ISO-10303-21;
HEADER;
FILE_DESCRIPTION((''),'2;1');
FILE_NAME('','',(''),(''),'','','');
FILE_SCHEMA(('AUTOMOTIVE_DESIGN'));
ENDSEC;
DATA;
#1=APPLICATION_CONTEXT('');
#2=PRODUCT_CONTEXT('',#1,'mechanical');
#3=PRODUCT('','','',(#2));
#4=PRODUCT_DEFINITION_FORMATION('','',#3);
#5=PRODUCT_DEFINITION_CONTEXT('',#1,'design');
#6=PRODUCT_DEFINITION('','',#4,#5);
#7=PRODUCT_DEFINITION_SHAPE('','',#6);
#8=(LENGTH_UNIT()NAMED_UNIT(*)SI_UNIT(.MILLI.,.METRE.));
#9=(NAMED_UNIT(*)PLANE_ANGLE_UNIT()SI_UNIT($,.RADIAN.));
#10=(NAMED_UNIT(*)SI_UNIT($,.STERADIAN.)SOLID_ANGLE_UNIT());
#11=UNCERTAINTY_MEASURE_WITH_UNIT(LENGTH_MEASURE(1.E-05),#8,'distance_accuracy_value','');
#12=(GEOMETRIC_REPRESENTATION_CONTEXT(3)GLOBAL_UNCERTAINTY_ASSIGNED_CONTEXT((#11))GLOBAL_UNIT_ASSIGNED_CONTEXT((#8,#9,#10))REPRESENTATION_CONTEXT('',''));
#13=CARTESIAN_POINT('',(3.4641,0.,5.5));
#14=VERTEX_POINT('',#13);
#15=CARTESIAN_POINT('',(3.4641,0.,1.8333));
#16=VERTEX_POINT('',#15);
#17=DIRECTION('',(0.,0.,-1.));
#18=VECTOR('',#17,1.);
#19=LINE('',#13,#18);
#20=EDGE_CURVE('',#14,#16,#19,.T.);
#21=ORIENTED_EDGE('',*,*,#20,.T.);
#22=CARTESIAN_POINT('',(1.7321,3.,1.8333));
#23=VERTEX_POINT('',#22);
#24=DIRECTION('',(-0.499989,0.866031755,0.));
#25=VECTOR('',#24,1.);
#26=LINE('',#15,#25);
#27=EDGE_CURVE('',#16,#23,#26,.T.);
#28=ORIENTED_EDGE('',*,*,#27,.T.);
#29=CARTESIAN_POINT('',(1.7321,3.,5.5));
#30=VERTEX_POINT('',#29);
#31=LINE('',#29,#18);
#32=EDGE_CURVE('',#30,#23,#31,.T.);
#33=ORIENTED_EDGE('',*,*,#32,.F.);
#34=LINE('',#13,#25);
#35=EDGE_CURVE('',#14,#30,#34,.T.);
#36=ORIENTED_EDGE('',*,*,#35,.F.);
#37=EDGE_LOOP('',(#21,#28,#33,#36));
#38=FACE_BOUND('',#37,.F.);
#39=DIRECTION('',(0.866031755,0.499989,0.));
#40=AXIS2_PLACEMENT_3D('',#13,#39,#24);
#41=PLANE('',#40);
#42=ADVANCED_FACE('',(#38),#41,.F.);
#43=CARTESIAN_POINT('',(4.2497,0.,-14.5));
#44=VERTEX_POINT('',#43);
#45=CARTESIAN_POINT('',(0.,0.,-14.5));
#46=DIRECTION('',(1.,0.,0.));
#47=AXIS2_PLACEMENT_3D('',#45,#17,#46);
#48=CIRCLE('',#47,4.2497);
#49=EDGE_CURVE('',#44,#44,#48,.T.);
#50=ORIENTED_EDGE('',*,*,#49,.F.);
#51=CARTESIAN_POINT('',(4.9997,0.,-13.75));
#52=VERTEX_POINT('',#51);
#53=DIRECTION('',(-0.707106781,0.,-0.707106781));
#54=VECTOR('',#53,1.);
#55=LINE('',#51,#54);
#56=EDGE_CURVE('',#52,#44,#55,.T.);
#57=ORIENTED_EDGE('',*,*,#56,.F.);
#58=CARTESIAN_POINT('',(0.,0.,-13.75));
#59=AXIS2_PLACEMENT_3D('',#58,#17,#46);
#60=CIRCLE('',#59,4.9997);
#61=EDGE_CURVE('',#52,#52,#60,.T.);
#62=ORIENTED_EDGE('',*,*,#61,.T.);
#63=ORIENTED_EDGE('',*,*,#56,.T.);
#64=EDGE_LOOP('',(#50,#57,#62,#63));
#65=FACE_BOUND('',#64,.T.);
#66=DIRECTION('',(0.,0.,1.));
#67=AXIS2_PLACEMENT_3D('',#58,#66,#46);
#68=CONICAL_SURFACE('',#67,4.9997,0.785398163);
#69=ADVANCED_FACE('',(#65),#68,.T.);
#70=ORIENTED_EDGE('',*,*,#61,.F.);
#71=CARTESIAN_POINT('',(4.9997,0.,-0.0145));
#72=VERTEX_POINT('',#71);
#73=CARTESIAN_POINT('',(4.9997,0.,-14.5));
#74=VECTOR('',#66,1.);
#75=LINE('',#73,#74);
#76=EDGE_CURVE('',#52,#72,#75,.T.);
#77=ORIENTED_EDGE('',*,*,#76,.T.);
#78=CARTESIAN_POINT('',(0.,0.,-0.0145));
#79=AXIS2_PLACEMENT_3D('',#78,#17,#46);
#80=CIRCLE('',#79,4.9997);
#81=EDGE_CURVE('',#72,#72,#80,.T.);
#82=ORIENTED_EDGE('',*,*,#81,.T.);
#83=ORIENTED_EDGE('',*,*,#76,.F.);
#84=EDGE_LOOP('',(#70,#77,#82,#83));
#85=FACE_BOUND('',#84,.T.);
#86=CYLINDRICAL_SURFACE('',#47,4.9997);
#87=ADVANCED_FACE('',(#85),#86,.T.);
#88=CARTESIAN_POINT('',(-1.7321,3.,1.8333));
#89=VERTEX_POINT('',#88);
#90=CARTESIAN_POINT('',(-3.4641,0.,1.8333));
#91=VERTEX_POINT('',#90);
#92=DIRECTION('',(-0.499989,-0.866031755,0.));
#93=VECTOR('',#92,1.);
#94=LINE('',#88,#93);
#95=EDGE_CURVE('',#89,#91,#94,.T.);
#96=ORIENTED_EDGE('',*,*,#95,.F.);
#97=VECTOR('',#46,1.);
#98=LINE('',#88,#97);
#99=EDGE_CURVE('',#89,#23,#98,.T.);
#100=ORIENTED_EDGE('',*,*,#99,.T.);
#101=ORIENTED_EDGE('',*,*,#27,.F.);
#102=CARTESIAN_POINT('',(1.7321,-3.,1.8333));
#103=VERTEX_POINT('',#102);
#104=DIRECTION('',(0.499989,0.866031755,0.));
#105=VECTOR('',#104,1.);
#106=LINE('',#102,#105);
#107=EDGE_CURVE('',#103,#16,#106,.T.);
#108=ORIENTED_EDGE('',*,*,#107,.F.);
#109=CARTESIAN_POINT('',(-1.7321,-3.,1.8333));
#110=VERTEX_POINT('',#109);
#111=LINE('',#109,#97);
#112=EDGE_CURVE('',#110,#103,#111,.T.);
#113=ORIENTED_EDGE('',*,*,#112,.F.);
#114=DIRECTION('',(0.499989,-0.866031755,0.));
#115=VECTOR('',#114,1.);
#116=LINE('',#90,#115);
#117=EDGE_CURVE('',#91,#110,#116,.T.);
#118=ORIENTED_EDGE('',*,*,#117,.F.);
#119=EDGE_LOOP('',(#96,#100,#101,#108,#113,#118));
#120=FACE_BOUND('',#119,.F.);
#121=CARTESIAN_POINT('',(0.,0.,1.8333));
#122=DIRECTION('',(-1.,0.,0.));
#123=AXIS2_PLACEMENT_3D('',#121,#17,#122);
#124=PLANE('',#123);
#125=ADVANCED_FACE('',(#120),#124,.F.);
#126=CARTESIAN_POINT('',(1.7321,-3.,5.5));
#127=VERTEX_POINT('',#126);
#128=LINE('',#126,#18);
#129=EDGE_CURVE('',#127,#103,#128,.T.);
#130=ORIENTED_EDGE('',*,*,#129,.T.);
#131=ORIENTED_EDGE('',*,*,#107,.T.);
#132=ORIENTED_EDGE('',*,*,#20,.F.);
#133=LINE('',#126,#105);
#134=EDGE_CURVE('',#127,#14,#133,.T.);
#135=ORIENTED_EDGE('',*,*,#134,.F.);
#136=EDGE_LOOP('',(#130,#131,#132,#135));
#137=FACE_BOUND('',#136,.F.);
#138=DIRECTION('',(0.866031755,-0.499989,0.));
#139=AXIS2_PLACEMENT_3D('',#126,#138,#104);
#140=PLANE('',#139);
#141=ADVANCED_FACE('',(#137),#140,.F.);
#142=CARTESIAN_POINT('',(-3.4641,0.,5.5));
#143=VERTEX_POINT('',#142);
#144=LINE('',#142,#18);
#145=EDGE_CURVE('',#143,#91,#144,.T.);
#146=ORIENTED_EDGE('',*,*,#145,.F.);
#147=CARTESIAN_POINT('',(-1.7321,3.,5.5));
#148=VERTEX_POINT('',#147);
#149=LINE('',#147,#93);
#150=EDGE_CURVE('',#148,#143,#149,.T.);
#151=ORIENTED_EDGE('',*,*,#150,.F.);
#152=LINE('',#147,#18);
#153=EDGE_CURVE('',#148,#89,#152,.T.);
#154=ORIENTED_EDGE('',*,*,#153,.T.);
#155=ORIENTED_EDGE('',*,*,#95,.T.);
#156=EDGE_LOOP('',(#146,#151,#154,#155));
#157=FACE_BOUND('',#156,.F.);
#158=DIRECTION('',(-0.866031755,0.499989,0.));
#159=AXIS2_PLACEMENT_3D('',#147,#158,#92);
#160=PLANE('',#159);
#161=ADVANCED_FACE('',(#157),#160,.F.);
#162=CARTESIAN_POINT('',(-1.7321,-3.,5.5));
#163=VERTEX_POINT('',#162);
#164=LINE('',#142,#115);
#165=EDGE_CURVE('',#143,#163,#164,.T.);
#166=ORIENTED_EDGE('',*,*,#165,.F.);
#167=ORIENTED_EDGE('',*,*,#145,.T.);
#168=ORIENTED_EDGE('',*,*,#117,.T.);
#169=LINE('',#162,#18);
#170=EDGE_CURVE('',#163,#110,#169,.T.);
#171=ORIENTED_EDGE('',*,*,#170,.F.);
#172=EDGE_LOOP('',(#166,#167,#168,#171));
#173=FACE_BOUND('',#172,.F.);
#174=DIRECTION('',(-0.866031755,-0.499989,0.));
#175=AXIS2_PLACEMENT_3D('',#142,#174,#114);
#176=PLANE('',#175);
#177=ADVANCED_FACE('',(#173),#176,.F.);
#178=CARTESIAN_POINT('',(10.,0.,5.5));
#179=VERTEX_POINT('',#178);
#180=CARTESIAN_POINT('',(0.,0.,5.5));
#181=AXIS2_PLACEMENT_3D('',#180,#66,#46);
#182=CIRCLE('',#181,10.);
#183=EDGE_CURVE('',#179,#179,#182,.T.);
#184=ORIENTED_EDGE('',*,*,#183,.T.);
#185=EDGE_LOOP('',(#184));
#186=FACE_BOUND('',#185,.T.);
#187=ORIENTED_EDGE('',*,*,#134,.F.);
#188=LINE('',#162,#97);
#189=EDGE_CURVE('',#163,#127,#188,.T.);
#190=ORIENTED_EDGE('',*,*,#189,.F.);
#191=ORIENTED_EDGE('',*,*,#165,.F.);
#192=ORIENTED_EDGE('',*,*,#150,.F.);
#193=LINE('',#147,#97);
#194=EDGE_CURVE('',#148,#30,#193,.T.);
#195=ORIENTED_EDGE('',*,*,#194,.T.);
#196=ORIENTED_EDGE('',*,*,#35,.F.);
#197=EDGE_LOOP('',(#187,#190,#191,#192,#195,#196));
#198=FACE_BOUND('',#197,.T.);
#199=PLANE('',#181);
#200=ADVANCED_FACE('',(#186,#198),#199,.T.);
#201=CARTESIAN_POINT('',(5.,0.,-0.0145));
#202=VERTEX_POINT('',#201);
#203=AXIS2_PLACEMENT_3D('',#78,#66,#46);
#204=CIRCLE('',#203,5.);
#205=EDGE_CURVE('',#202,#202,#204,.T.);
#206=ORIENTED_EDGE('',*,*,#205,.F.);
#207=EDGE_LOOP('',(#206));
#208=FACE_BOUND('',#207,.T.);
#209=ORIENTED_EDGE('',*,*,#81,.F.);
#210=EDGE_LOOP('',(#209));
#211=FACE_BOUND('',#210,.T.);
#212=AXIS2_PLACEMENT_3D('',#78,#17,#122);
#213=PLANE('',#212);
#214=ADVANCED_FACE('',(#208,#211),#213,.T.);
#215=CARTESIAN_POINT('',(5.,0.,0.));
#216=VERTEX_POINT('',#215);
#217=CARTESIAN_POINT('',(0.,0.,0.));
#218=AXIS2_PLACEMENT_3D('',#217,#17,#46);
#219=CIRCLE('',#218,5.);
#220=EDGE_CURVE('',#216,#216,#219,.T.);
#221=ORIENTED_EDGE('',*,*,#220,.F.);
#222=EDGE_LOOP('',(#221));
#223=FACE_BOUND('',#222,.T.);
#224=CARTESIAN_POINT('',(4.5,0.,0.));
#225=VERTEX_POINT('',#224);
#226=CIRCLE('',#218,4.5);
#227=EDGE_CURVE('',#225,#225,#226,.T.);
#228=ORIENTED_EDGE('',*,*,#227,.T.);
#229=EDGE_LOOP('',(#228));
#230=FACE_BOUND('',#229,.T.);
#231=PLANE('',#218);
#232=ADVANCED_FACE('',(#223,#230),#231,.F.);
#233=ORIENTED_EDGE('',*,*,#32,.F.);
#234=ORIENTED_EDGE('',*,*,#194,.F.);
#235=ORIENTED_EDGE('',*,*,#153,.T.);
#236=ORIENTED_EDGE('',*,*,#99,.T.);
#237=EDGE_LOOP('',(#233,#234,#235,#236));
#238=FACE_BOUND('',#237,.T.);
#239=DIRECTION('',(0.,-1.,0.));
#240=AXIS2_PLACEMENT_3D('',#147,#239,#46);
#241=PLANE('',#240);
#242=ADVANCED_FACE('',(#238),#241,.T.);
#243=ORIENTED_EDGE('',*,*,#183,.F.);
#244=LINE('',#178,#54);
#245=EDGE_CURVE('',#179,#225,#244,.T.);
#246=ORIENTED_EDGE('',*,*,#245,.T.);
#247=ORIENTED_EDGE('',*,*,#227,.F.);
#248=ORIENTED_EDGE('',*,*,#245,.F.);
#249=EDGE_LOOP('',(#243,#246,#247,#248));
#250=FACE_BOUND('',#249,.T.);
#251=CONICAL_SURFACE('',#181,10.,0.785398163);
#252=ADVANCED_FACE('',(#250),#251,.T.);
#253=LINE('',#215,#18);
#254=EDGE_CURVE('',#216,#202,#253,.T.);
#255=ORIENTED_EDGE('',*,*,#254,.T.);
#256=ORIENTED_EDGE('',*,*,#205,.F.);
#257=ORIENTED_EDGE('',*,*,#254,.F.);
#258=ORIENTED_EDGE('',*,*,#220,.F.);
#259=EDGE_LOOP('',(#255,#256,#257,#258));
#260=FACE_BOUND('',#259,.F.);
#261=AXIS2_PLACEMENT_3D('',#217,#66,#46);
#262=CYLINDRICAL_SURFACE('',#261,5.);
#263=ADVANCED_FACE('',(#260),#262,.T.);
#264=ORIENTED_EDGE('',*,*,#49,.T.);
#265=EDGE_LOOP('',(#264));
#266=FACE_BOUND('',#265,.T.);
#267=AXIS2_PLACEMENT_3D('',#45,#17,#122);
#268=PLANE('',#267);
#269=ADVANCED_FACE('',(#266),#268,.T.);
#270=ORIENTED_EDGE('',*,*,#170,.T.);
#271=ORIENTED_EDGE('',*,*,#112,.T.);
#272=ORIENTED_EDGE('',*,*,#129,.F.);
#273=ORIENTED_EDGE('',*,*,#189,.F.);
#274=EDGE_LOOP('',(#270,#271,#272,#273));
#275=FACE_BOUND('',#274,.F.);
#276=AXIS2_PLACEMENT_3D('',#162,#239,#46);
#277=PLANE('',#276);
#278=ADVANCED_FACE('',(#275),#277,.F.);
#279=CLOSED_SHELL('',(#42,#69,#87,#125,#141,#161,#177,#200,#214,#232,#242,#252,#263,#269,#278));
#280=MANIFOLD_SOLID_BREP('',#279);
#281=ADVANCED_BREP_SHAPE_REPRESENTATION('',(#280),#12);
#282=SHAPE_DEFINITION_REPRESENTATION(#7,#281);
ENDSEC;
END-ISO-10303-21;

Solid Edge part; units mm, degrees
sketch "Sketch1" plane through (0, 0, 0) normal (0, 0, 1) x (1, 0, 0)
  circle A0 centre (0, 0) radius 10
  dimension "D1" = 20
extrude "Protrusion1" add sketch "Sketch1" along normal blind 5.5
sketch "Sketch2" plane through (0, 0, 0) normal (0, 0, -1) x (1, 0, 0)
  circle A0 centre (0, 0) radius 5
extrude "Protrusion2" add sketch "Sketch2" along normal blind 14.5
sketch "Sketch3" plane through (0, 0, -14.5) normal (0, 0, -1) x (1, 0, 0)
  circle A0 centre (0, 0) radius 4.9997
extrude "Cutout1" cut sketch "Sketch3" against normal blind 14.4855 flip side to cut
chamfer "Chamfer_1" distance 0.75 angle 45 1 edges at (-4.9997, 0, -14.5)
sketch "Sketch4" plane through (0, 0, 5.5) normal (0, 0, 1) x (1, 0, 0)
  line L0 (-1.7321, 3) -> (1.7321, 3)
  line L1 (3.4641, 0) -> (1.7321, 3)
  line L2 (1.7321, -3) -> (3.4641, 0)
  line L3 (-1.7321, -3) -> (1.7321, -3)
  line L4 (-3.4641, 0) -> (-1.7321, -3)
  line L5 (-1.7321, 3) -> (-3.4641, 0)
  dimension "D1" = 6
extrude "Cutout2" cut sketch "Sketch4" against normal blind 3.6667
sketch "Sketch5" plane through (0, 0, 0) normal (0, -1, 0) x (1, 0, 0)
  line L0 (10, 5.5) -> (4.5, 0)
  line L1 (4.5, 0) -> (10, 0)
  line L2 (10, 0) -> (10, 5.5)
revolve "RevolvedCutout1" cut sketch "Sketch5" angle 360 about axis through (0, 0, 14.0017) along (0, 0, -1)
properties part number "185736" material "Stainless Steel, 304"
